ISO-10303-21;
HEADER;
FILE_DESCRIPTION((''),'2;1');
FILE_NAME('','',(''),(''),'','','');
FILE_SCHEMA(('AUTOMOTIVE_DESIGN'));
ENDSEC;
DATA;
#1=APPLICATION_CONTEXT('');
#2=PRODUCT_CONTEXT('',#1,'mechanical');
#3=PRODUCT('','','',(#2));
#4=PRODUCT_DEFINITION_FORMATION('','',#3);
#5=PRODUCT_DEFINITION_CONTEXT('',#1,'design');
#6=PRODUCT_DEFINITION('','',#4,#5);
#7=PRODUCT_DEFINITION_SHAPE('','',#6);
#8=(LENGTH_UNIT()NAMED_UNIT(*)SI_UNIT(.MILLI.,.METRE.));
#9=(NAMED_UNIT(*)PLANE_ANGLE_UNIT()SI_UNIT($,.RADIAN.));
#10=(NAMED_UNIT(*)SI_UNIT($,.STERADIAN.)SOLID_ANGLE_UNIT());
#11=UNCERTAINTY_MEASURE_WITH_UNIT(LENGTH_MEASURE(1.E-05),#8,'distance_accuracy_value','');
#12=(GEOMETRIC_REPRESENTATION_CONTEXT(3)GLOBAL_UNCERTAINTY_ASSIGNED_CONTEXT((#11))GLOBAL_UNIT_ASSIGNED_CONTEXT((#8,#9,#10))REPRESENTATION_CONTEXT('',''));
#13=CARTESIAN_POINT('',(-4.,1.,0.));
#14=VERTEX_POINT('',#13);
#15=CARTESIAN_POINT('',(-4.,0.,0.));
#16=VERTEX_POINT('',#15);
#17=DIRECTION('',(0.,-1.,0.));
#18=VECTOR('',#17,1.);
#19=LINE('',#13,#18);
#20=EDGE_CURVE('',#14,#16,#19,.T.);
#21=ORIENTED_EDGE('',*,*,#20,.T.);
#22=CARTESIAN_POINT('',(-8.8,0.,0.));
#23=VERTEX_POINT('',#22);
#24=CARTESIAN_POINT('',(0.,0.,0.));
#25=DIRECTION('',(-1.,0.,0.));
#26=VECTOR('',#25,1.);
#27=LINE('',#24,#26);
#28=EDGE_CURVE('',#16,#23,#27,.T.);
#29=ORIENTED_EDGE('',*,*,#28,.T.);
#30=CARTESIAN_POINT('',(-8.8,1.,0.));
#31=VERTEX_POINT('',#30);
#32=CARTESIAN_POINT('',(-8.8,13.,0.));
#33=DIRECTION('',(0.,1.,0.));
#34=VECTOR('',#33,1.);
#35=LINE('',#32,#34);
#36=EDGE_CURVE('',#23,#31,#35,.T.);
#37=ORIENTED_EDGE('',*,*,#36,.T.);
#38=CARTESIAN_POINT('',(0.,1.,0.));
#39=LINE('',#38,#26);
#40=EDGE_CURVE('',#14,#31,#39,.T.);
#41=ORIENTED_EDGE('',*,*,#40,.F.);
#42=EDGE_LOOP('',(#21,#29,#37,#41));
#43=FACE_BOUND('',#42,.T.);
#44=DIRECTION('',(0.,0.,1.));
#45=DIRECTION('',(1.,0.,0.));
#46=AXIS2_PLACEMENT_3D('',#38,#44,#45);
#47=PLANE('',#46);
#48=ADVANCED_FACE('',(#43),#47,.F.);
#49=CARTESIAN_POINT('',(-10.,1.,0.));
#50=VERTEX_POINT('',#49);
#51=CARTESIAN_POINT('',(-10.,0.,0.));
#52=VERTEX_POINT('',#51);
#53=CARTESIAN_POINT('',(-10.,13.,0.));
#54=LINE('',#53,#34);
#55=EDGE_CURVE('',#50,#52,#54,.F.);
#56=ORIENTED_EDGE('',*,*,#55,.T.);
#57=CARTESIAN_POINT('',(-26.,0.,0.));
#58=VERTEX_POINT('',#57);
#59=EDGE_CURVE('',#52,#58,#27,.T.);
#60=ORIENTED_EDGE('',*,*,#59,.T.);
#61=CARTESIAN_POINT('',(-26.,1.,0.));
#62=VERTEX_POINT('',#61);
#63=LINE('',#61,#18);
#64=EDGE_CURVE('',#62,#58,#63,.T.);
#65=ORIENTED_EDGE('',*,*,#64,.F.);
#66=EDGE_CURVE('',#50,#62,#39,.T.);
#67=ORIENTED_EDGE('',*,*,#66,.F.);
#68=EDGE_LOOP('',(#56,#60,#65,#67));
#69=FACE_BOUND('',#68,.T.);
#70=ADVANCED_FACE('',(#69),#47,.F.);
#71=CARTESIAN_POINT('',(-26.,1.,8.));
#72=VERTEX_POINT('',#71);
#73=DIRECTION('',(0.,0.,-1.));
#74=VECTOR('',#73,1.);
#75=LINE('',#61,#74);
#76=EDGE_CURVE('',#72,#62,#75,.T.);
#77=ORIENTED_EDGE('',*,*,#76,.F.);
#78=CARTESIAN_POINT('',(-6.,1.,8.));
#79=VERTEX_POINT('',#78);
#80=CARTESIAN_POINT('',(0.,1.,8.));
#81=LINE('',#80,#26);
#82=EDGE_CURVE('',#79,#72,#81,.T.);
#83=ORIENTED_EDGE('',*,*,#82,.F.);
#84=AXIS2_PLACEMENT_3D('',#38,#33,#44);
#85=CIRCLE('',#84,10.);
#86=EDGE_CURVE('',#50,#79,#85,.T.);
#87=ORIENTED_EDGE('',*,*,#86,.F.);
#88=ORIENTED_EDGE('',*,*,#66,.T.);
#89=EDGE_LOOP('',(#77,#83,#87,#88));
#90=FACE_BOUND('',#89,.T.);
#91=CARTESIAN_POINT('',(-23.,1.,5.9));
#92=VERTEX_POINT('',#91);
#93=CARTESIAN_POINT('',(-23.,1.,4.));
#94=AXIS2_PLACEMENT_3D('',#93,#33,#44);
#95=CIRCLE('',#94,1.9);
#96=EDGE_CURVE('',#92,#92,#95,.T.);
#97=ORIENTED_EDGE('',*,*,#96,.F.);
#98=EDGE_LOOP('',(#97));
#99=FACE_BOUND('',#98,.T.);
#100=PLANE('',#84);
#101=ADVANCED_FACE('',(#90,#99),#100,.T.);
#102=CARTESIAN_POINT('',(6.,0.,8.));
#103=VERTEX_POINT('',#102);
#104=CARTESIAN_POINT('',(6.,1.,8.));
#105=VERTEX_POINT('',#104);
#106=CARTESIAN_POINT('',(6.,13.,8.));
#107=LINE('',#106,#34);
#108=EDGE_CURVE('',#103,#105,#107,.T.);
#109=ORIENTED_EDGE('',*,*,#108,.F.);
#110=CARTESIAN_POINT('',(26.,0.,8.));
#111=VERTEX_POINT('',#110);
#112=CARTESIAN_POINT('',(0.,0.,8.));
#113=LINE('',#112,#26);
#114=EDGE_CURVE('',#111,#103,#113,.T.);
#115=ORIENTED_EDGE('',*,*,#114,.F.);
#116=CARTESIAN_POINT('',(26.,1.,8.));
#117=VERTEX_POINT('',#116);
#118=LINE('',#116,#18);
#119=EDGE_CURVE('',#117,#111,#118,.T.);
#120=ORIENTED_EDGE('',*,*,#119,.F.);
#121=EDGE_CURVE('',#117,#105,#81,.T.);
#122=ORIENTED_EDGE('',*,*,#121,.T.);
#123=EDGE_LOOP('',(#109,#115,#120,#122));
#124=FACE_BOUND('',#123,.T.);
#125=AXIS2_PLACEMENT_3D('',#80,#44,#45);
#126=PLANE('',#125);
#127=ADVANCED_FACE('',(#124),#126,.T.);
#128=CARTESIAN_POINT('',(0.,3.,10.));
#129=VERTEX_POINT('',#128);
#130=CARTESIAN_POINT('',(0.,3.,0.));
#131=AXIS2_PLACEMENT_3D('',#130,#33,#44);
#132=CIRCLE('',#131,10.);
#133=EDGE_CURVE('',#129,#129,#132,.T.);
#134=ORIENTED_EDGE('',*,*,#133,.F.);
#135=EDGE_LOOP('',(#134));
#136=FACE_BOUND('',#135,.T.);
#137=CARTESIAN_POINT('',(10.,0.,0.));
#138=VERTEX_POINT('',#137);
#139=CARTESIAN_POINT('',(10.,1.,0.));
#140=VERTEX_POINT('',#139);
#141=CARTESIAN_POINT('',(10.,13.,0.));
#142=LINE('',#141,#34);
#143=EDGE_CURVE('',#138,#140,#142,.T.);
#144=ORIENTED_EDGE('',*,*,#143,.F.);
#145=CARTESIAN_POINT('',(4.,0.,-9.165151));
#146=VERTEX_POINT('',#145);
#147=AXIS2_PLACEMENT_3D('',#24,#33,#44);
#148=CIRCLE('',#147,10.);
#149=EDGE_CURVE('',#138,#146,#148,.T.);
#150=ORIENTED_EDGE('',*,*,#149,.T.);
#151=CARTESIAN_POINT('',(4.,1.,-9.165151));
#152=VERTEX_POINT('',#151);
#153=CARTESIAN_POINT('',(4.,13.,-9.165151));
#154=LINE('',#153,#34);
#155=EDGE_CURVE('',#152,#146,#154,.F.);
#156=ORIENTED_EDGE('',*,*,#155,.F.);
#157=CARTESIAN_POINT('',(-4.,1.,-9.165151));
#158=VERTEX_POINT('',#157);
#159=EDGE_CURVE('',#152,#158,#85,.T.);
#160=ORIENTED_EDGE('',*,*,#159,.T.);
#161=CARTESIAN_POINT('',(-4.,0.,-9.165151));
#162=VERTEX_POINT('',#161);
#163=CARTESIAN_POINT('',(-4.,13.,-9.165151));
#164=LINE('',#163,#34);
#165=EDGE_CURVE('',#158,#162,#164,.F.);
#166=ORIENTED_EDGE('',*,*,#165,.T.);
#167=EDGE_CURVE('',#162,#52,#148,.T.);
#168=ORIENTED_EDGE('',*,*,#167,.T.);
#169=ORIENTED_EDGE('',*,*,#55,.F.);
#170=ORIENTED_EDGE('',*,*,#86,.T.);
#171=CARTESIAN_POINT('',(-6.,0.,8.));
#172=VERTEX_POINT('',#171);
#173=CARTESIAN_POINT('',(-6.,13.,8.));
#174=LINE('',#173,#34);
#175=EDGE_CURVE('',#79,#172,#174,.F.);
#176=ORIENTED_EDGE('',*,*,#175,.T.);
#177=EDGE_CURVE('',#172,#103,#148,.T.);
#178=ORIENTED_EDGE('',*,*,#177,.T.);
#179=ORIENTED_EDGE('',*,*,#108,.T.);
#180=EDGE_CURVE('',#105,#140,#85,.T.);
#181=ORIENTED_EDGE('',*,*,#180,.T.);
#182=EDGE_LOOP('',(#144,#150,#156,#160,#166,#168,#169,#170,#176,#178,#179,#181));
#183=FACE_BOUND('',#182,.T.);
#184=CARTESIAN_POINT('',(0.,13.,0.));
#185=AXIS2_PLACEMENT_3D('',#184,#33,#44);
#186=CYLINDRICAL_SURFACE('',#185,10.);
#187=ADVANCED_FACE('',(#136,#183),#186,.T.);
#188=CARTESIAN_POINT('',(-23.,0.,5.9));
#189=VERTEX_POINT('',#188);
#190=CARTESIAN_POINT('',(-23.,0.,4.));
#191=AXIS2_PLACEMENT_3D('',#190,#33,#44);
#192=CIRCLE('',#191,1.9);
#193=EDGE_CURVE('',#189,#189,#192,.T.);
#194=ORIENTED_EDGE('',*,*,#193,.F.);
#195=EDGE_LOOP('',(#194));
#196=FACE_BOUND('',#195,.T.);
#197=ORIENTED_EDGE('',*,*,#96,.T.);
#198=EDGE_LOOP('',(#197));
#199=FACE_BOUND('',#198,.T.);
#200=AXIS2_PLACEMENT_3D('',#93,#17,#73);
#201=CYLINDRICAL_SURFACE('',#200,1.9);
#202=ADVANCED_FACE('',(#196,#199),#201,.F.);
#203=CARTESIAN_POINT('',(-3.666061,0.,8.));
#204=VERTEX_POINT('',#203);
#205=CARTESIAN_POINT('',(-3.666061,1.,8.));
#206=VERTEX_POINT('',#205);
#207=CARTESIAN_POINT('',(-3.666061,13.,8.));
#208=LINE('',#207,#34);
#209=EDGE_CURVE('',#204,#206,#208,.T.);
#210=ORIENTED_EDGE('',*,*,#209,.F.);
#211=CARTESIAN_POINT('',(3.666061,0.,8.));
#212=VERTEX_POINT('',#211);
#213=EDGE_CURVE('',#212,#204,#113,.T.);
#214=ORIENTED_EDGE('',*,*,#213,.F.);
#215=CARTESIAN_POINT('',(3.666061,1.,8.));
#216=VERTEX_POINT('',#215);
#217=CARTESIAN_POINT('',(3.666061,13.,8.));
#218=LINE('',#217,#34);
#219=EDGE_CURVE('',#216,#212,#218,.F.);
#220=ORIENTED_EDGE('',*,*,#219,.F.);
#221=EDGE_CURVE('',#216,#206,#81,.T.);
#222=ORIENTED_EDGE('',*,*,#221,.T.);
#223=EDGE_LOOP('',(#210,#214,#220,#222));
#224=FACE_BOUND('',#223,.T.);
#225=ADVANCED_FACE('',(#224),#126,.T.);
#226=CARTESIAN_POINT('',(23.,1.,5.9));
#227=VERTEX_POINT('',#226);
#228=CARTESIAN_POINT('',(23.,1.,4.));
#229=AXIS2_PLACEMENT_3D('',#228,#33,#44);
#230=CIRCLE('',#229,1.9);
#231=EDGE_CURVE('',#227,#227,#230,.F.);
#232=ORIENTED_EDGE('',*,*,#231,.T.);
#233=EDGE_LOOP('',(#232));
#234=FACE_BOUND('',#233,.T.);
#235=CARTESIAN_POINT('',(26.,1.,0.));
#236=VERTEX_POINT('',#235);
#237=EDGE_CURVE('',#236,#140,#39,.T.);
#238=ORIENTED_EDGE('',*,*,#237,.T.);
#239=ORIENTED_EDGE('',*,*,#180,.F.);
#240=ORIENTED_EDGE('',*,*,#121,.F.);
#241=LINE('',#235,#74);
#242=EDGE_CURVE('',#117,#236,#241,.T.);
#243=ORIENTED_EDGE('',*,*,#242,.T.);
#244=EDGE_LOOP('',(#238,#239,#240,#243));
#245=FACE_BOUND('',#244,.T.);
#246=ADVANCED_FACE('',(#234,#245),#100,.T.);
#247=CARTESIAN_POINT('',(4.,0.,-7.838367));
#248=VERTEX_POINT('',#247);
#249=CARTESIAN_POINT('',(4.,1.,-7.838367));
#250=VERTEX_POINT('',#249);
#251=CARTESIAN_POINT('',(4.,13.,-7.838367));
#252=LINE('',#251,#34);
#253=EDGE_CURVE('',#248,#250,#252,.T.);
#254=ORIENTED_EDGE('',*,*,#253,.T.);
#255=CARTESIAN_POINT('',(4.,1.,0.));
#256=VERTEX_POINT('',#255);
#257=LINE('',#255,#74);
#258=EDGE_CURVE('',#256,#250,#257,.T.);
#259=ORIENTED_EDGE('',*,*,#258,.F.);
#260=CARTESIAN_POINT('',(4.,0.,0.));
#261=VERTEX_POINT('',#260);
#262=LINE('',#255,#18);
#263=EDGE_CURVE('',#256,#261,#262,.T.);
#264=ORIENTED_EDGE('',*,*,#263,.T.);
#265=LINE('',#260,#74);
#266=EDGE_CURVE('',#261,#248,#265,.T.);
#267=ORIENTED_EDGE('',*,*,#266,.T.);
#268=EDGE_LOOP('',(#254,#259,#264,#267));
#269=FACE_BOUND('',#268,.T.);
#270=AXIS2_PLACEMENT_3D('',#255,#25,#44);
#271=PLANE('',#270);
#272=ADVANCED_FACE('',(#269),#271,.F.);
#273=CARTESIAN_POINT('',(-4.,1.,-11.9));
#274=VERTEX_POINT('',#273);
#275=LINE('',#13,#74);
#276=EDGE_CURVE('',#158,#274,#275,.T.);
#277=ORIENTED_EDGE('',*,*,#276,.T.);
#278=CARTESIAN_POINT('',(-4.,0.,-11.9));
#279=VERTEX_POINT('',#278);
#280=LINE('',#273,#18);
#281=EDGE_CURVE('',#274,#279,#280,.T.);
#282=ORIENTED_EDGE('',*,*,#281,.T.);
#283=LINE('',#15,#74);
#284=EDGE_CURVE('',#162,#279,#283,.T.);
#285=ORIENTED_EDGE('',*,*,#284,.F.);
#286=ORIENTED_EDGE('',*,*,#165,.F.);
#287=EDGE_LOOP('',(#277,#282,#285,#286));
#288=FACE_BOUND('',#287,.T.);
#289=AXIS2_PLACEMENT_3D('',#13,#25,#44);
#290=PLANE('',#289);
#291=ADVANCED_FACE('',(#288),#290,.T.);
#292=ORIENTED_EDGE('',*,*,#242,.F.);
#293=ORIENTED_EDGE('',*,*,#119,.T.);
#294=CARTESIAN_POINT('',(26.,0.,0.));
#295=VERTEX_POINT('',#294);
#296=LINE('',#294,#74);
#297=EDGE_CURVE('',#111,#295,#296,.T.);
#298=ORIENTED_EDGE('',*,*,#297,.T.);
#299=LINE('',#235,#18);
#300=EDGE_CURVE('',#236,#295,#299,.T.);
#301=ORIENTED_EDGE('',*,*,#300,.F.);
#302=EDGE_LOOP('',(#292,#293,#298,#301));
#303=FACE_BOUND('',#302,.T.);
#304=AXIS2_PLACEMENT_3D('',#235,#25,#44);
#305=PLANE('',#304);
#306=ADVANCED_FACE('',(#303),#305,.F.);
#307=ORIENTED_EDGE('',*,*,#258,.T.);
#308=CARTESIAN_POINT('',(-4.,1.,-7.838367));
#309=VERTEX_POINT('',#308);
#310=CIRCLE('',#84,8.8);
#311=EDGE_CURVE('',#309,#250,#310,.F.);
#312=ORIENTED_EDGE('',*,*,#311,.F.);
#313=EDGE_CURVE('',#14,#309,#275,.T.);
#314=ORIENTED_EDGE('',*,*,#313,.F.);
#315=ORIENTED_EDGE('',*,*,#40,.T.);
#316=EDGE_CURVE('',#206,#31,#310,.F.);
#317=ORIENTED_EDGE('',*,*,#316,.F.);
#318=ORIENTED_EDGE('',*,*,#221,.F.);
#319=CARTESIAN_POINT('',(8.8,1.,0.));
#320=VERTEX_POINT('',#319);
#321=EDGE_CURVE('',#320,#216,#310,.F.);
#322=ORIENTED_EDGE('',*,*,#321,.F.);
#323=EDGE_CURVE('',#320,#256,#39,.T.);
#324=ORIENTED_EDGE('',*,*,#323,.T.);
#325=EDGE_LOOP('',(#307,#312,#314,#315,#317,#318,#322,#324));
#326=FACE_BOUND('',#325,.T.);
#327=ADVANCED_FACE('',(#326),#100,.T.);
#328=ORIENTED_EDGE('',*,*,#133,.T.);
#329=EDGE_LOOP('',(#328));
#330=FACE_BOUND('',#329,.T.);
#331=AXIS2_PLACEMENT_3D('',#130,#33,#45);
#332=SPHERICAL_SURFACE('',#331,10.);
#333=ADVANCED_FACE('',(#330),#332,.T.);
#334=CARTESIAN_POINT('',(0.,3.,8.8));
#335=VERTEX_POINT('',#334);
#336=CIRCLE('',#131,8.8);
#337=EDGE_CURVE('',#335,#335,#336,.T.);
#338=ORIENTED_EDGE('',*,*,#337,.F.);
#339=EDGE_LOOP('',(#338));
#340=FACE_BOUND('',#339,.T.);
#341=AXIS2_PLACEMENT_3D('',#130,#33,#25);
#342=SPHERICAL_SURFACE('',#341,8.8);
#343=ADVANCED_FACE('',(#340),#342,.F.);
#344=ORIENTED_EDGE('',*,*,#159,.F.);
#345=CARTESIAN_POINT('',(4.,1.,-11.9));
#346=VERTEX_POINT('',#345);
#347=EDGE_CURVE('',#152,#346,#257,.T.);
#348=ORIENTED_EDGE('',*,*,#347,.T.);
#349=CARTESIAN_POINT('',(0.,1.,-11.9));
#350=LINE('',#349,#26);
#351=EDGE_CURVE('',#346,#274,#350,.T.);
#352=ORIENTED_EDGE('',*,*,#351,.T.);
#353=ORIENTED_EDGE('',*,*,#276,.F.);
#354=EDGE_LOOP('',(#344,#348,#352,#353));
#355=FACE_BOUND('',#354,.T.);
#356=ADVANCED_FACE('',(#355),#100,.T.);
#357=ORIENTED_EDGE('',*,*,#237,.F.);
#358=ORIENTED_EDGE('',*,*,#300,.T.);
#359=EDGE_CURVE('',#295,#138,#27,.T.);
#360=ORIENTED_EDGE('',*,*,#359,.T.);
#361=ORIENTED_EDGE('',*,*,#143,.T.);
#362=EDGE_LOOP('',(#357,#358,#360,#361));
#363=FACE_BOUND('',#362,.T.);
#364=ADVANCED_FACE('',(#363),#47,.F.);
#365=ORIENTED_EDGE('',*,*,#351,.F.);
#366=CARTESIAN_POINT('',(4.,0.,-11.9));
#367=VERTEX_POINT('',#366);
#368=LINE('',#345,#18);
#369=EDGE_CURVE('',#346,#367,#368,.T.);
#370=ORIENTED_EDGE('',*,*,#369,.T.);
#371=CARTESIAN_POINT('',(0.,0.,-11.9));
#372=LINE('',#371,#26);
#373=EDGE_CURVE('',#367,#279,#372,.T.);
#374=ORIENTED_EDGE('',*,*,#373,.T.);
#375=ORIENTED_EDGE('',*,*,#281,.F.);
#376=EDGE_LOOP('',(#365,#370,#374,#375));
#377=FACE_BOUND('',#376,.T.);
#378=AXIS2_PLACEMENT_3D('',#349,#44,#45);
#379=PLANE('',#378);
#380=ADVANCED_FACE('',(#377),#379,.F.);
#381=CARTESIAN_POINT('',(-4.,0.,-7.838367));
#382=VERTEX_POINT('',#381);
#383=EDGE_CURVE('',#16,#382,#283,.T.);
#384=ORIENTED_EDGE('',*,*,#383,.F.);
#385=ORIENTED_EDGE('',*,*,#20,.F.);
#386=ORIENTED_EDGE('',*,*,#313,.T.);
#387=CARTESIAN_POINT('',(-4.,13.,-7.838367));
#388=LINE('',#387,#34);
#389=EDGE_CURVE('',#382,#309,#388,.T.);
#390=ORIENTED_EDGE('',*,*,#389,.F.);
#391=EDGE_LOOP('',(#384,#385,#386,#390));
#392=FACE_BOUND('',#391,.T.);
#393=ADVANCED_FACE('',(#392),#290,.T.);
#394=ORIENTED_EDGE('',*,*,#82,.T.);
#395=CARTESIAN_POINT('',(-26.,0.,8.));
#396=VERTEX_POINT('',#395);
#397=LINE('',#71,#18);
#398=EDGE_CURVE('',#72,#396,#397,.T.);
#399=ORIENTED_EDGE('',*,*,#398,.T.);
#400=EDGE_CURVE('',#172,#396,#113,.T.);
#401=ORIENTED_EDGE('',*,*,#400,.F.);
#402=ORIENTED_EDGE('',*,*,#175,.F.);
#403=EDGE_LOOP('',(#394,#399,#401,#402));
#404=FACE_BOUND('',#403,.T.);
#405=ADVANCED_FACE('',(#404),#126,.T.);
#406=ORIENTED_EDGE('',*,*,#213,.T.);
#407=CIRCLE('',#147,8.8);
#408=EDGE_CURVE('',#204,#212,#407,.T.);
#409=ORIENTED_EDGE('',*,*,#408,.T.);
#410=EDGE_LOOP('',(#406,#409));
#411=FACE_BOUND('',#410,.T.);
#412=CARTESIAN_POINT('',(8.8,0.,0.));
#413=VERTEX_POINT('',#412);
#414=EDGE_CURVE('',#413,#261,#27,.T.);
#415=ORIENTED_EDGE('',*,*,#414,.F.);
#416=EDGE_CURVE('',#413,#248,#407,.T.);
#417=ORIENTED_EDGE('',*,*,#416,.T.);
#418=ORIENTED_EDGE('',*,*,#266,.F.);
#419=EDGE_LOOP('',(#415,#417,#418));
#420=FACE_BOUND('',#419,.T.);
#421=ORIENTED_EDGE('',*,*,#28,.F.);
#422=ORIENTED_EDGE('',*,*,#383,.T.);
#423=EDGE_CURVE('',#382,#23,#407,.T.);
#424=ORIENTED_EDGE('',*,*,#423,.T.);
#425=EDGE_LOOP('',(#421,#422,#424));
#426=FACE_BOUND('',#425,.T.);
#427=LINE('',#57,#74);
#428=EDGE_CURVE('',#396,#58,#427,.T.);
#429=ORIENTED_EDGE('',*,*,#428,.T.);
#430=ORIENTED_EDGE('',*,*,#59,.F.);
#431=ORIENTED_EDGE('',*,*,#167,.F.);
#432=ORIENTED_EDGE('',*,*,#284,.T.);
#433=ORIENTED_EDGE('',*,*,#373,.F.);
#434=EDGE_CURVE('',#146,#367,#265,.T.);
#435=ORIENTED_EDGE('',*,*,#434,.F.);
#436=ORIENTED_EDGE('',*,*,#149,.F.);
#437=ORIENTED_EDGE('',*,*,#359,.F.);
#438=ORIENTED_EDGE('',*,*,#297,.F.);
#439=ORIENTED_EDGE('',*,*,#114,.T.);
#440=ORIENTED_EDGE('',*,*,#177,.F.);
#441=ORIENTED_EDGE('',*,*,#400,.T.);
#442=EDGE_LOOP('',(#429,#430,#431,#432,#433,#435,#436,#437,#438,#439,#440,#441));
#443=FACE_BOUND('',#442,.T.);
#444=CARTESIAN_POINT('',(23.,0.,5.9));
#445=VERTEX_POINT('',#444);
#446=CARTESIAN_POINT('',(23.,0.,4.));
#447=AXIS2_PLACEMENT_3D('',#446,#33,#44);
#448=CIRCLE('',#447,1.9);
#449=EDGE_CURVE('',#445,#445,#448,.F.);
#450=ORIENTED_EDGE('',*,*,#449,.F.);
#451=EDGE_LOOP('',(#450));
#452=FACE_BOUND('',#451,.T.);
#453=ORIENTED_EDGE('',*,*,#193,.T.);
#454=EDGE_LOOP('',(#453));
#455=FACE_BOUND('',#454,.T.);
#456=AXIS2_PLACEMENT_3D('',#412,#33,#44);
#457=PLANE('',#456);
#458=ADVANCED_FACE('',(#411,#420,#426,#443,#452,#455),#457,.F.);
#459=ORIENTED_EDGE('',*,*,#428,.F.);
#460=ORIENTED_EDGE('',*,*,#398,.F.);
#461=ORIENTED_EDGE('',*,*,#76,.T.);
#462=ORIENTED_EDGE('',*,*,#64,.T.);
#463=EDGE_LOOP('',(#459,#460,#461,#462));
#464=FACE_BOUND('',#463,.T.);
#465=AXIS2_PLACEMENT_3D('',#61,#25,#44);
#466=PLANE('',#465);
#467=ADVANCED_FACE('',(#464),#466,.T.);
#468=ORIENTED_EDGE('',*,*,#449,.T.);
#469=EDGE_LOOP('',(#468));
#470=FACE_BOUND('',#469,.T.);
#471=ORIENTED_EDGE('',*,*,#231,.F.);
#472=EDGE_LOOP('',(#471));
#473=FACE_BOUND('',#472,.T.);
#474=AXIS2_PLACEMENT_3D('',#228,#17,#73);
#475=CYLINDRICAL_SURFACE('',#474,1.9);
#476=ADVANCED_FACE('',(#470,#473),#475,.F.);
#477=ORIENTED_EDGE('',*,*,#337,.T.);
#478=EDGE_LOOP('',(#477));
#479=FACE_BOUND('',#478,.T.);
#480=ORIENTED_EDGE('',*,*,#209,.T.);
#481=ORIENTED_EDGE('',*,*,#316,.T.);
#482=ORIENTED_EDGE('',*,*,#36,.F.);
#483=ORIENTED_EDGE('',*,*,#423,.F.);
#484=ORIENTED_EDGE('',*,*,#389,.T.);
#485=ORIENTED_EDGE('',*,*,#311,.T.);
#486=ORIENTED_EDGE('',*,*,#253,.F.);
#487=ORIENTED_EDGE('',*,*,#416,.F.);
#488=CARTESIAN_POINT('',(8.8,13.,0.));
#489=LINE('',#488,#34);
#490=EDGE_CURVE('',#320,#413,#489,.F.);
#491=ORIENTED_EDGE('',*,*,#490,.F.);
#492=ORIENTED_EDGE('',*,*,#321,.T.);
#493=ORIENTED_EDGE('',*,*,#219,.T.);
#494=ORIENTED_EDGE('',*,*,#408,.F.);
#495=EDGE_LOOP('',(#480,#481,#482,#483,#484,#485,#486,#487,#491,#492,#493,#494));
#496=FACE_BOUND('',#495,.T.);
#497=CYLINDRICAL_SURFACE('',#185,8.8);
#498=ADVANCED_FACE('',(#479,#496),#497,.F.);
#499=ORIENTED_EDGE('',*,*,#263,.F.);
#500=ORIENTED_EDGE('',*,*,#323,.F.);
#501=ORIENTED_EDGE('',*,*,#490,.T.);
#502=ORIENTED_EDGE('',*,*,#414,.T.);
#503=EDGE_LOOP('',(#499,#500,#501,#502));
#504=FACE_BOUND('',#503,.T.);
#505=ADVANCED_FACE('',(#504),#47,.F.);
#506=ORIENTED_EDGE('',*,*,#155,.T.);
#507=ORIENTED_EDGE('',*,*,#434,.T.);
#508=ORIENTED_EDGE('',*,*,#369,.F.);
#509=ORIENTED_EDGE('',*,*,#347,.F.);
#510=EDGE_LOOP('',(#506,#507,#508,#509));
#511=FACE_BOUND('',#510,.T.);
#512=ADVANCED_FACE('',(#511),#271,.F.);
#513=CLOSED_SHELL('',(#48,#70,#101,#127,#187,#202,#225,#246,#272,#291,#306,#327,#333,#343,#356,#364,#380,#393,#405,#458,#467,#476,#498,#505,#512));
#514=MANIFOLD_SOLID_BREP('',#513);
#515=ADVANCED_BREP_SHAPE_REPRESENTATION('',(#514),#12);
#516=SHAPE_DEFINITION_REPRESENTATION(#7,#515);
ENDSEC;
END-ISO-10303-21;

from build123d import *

# Parameters (mm, degrees)
SKETCH_2_R      = 1.9
EXTRUDE_1_DEPTH = 1


with BuildPart() as part:
    # Эскиз1 → Повернуть1 (revolve)
    with BuildSketch(Plane.XY, mode=Mode.PRIVATE) as revolve_1_sk:
        with BuildLine():
            Line((8.8, 0), (10, 0))
            Line((10, 0), (10, 3))
            ThreePointArc((10, 3), (7.071067812, 10.071067812), (0, 13))
            Line((0, 13), (0, 11.8))
            ThreePointArc((0, 11.8), (6.222539674, 9.222539674), (8.8, 3))
            Line((8.8, 3), (8.8, 0))
        make_face()
    revolve(revolve_1_sk.sketch.rotate(Axis((0, 13, 0), (0, -1, 0)), 90), axis=Axis((0, 13, 0), (0, -1, 0)))

    # Эскиз2 → Бобышка-Вытянуть1 (add)
    # profile 1 of 3: a face of its own
    with BuildSketch(Plane(origin=(0, 0, 0), x_dir=(1, 0, 0), z_dir=(0, 1, 0))):
        Polygon((0, -8), (0, 0), (-4, 0), (-26, 0), (-26, -8), align=None)
        with Locations(Location((-23, -4, 0), (0, 0, 270))):
            Circle(SKETCH_2_R, mode=Mode.SUBTRACT)
    # profile 2 of 3: a face of its own
    with BuildSketch(Plane(origin=(0, 0, 0), x_dir=(1, 0, 0), z_dir=(0, 1, 0))):
        Polygon((26, -8), (26, 0), (4, 0), (0, 0), (0, -8), align=None)
        with Locations(Location((23, -4, 0), (0, 0, 270))):
            Circle(SKETCH_2_R, mode=Mode.SUBTRACT)
    # profile 3 of 3: a face of its own
    with BuildSketch(Plane(origin=(0, 0, 0), x_dir=(1, 0, 0), z_dir=(0, 1, 0))):
        Polygon((0, 0), (4, 0), (4, 11.9), (-4, 11.9), (-4, 0), align=None)
    extrude(amount=EXTRUDE_1_DEPTH)


solid = part.part
